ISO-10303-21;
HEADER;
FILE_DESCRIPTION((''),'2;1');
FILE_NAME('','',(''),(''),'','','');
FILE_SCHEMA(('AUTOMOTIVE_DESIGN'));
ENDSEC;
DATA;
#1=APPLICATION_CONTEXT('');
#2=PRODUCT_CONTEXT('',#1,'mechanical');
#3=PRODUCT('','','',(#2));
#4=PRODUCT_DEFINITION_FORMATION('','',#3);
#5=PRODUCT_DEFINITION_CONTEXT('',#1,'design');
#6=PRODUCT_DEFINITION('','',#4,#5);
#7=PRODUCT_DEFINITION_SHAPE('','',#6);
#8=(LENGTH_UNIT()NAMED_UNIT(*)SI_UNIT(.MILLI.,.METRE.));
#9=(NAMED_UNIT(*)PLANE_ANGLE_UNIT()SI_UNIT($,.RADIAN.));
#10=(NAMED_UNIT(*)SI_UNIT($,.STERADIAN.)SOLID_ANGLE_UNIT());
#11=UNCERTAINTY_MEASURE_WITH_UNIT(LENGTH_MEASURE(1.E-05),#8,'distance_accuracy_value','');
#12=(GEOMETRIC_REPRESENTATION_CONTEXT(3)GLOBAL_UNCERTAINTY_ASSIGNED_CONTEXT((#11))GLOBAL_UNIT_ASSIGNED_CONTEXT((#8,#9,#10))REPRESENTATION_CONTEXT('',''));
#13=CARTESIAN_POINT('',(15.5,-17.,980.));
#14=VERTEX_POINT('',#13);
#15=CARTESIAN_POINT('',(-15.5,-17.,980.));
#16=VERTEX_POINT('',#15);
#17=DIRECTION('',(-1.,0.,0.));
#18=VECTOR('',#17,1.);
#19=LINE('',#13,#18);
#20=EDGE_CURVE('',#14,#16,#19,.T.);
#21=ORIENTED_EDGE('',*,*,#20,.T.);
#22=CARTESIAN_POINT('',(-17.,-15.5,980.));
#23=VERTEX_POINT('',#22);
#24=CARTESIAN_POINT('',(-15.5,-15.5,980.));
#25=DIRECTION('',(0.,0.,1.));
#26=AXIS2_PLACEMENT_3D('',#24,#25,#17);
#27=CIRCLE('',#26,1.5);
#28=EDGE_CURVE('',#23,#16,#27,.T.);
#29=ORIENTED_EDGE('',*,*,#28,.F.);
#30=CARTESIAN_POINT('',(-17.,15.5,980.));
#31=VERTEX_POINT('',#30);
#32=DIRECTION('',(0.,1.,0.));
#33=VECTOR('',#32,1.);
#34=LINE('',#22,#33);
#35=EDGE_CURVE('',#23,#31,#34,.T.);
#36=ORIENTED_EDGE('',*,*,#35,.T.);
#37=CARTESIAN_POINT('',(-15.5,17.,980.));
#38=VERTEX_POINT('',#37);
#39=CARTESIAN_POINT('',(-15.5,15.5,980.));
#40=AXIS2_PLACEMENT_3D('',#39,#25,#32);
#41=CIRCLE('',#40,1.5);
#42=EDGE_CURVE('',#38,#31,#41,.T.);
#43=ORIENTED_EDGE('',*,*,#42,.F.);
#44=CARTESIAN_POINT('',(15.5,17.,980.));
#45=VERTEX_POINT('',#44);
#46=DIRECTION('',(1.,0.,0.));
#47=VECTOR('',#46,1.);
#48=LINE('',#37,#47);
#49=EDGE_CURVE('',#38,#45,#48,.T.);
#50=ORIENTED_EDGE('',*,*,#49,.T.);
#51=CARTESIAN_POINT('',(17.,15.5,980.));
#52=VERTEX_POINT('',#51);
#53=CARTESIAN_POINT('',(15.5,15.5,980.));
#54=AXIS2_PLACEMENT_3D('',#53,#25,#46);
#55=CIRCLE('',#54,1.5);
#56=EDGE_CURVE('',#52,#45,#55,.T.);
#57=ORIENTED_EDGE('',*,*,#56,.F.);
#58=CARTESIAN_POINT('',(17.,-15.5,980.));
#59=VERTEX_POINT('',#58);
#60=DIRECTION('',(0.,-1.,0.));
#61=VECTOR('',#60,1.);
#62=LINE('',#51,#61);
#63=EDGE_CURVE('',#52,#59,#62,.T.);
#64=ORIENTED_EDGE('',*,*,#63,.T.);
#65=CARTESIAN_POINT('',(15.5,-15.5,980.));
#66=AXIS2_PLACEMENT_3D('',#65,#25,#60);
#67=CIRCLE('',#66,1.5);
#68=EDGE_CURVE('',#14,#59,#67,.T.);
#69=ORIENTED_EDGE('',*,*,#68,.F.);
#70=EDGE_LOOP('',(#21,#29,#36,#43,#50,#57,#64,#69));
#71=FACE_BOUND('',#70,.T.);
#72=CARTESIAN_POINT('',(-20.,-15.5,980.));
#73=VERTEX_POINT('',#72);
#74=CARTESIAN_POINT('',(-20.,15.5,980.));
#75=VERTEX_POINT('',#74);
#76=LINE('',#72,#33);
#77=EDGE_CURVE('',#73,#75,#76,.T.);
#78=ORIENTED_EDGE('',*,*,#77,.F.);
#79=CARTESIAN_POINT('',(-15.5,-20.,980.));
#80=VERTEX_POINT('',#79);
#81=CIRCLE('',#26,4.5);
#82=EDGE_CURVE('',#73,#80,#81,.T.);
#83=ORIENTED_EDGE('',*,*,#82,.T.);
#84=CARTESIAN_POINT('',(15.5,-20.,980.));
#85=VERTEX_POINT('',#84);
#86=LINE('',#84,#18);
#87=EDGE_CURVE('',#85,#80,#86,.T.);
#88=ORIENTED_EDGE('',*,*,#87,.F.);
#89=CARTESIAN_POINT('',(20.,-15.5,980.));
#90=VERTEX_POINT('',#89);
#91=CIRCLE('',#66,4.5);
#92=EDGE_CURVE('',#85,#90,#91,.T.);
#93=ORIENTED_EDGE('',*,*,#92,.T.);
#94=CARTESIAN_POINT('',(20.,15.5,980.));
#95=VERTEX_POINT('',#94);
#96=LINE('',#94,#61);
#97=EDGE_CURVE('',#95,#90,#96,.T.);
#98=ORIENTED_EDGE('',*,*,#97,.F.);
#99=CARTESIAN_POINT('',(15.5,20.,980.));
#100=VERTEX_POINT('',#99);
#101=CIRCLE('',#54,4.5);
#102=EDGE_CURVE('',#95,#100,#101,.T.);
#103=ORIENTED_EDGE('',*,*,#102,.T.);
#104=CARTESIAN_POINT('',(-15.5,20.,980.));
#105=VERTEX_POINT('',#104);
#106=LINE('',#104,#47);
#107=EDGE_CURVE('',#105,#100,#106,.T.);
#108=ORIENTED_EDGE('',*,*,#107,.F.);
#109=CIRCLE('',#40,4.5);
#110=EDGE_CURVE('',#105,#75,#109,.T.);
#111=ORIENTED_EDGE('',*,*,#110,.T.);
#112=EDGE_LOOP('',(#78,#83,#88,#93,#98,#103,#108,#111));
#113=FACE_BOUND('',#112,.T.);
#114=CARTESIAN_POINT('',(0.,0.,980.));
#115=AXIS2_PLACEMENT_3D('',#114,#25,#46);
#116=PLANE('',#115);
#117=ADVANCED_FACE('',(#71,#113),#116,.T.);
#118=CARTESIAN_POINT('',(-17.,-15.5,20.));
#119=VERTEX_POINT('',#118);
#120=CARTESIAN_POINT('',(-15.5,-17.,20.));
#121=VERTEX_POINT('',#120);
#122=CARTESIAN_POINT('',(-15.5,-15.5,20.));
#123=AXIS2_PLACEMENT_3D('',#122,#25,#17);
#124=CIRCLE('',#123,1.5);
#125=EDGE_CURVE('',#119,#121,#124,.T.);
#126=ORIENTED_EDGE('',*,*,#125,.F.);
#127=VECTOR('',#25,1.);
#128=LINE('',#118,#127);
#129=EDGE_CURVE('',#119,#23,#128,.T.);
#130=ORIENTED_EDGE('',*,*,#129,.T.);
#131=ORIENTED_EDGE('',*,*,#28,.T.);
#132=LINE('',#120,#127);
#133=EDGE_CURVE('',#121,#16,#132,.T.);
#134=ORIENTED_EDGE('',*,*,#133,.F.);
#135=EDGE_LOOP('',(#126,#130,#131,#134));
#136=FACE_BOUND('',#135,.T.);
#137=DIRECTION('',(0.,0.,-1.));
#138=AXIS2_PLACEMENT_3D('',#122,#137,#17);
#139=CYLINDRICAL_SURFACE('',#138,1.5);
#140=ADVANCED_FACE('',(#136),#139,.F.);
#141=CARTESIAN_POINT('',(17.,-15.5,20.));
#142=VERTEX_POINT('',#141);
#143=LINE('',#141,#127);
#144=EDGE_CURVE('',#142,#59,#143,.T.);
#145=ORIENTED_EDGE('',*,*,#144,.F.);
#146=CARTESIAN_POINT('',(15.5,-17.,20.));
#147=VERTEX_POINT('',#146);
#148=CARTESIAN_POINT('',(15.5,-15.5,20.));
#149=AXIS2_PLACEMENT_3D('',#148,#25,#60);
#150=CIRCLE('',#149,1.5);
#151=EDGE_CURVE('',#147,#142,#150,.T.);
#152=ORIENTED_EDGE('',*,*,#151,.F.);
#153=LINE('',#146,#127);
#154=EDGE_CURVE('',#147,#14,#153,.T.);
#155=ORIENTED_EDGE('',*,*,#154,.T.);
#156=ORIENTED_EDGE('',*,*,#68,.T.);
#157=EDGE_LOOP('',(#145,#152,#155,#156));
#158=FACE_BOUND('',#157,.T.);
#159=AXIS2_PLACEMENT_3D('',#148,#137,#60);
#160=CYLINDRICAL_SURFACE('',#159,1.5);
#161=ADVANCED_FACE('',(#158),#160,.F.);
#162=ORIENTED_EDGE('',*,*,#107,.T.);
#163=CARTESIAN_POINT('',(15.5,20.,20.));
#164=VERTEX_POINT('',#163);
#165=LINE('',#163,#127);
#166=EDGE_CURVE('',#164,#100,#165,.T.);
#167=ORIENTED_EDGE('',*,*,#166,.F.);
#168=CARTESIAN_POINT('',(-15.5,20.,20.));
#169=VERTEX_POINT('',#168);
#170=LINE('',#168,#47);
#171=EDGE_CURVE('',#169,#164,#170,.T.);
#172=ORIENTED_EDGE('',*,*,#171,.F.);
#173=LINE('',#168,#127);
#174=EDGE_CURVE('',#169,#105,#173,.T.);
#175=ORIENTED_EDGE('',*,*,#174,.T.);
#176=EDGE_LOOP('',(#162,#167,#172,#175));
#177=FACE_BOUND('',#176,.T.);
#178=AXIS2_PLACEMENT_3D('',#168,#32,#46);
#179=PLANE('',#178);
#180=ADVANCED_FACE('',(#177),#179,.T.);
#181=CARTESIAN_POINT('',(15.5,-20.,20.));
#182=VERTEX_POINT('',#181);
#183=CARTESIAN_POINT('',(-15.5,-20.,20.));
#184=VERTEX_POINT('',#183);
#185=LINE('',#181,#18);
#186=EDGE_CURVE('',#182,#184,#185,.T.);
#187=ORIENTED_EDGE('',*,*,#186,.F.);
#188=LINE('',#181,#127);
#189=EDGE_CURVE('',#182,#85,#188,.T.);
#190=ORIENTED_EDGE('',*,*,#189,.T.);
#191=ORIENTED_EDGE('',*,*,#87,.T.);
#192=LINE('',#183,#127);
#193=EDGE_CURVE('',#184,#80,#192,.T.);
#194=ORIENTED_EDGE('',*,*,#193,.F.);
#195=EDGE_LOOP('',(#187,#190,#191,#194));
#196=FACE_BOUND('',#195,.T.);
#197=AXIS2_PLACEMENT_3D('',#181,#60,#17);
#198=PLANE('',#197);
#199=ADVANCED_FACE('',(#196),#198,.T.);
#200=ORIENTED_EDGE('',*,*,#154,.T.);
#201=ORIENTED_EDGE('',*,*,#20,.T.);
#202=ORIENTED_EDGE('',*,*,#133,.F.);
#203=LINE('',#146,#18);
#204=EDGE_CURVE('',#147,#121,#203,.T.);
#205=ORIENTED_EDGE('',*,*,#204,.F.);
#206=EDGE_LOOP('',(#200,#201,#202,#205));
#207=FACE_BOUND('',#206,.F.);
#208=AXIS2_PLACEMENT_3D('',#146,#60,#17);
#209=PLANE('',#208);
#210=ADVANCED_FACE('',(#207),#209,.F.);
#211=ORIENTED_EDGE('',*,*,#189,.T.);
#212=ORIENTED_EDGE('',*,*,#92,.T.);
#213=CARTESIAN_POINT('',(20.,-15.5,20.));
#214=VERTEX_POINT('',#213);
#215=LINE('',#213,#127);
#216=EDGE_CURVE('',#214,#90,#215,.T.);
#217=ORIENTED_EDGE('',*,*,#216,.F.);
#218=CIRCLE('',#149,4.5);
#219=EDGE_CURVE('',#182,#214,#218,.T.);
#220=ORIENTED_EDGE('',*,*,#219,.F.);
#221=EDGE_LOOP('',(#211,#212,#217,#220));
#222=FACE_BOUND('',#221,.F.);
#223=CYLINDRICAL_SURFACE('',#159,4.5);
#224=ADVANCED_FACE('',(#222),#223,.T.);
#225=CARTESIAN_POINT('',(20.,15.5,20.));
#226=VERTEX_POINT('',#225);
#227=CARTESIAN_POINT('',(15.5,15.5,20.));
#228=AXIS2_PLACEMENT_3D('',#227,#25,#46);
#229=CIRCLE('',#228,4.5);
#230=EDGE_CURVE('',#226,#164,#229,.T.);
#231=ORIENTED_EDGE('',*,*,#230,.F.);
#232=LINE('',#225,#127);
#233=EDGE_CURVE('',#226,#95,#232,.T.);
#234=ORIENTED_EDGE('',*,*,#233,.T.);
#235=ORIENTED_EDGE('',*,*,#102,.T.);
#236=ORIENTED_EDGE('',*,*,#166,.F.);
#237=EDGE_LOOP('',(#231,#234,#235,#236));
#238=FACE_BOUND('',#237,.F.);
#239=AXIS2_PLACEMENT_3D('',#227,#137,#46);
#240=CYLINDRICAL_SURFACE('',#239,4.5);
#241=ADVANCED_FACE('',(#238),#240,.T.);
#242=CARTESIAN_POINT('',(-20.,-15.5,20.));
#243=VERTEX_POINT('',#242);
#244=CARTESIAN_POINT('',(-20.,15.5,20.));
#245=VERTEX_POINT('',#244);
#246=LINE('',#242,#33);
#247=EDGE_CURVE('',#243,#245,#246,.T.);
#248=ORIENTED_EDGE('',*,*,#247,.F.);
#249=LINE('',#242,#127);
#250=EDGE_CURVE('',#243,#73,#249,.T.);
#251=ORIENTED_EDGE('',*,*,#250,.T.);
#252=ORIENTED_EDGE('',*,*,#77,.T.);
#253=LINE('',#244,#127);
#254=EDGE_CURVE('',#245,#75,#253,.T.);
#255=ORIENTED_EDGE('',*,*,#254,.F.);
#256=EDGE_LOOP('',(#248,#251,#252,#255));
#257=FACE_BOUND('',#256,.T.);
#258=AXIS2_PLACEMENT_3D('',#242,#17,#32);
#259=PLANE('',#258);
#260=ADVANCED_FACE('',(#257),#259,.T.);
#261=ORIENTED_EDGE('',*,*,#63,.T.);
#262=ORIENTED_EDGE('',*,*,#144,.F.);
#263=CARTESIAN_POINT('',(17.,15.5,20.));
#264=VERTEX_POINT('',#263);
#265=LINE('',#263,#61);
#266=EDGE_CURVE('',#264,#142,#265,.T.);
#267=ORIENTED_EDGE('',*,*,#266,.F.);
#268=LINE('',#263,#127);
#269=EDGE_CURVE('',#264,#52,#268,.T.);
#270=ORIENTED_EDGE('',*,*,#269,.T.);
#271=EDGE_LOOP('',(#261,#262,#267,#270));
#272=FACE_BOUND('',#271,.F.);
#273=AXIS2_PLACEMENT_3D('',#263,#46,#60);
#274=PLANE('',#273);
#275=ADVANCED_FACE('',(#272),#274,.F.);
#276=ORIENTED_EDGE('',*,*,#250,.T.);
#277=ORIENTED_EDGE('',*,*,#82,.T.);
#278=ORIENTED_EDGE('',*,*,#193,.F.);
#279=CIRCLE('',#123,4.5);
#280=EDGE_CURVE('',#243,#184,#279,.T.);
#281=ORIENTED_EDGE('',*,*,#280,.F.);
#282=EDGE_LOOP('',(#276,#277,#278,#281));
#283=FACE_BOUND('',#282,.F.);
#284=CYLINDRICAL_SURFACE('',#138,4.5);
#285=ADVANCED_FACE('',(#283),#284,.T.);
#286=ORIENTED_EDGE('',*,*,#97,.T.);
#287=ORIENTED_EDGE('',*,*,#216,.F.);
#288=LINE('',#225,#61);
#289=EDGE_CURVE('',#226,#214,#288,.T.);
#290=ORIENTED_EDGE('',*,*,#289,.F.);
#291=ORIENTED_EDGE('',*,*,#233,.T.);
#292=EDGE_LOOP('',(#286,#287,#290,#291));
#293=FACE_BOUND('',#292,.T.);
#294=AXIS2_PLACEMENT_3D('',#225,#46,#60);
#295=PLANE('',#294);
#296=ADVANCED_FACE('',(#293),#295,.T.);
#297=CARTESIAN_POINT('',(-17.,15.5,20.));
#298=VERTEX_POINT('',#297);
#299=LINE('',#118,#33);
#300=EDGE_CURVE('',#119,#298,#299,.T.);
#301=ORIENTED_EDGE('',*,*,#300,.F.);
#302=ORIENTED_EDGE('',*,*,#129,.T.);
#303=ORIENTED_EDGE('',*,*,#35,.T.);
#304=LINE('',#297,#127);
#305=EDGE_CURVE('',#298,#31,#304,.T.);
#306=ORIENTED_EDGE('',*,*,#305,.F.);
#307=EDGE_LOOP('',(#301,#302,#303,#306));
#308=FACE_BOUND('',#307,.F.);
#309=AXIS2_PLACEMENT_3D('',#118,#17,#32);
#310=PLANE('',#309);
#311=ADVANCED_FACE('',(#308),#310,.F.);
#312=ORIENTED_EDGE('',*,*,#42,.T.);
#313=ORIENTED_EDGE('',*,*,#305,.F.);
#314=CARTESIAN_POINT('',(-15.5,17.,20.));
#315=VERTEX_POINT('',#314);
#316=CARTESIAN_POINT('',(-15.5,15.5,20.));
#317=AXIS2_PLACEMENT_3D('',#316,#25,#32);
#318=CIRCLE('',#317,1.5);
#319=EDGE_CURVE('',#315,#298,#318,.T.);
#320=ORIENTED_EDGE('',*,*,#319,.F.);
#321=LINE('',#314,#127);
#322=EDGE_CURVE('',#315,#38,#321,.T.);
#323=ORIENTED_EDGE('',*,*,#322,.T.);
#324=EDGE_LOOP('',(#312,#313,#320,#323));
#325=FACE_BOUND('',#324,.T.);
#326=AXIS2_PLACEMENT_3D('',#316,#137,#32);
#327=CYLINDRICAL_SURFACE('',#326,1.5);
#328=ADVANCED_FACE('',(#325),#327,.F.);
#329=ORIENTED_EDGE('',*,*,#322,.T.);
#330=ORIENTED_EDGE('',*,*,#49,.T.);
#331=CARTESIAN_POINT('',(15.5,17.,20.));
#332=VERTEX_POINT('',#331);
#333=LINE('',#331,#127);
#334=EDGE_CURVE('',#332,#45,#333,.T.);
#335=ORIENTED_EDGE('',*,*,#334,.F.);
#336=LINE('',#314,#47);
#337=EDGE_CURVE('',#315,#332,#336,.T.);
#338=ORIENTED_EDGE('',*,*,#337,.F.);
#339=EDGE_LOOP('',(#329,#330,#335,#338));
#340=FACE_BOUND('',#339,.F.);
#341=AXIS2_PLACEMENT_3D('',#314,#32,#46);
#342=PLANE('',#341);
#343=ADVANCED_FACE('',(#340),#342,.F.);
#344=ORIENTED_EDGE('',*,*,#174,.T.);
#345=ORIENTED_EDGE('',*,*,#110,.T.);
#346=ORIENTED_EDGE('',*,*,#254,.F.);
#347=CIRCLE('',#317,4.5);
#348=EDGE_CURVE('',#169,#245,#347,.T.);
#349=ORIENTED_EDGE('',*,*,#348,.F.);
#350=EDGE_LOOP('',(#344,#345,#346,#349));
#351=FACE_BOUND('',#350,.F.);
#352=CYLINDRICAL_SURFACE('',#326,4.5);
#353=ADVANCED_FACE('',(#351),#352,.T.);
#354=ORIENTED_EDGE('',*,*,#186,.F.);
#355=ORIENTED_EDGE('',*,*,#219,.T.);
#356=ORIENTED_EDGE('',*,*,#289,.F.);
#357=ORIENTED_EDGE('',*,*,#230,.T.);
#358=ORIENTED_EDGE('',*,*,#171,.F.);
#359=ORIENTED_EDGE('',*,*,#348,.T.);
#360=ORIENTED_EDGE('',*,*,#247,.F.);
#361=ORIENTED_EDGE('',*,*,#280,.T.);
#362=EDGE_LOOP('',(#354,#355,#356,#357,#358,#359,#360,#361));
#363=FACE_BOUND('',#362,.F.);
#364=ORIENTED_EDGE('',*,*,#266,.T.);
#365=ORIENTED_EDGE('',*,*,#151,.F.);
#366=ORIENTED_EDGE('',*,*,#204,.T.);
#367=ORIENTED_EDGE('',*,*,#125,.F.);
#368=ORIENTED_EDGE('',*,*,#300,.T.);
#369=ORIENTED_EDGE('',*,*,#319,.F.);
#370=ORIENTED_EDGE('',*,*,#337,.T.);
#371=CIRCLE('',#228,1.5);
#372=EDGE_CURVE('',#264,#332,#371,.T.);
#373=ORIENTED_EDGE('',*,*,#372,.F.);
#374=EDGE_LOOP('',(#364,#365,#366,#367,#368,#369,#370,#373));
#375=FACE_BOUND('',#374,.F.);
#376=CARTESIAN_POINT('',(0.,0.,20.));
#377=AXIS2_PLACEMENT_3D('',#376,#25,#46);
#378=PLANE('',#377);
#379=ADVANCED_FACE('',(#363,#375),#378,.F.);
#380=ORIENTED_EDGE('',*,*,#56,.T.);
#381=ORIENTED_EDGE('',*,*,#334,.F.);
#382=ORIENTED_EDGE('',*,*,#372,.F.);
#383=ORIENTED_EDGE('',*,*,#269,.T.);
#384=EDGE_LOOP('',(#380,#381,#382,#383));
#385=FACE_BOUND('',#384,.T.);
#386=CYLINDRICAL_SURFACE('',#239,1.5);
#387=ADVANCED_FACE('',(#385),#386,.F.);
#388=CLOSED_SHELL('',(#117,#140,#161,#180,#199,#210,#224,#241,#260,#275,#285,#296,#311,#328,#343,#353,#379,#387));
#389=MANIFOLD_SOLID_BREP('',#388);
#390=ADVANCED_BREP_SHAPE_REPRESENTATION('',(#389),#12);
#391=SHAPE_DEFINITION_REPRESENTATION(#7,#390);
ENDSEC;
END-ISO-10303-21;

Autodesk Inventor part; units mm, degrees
ref_plane "Start Plane" through (0, 0, 20) normal (0, 0, 1) x (1, 0, 0)
ref_plane "End Plane" through (0, 0, 980) normal (0, 0, 1) x (1, 0, 0)
sketch "Sketch" plane through (0, 0, 0) normal (0, 0, 1) x (1, 0, 0)
  line L0 (-20, -15.5) -> (-20, 15.5)
  line L1 (-15.5, 20) -> (15.5, 20)
  line L2 (20, 15.5) -> (20, -15.5)
  line L3 (15.5, -20) -> (-15.5, -20)
  arc A0 (-20, -15.5) -> (-15.5, -20) centre (-15.5, -15.5) ccw
  arc A1 (-15.5, 20) -> (-20, 15.5) centre (-15.5, 15.5) ccw
  arc A2 (20, 15.5) -> (15.5, 20) centre (15.5, 15.5) ccw
  arc A3 (15.5, -20) -> (20, -15.5) centre (15.5, -15.5) ccw
  arc A4 (-15.5, 17) -> (-17, 15.5) centre (-15.5, 15.5) ccw
  line L4 (-15.5, 17) -> (15.5, 17)
  arc A5 (17, 15.5) -> (15.5, 17) centre (15.5, 15.5) ccw
  line L5 (17, 15.5) -> (17, -15.5)
  arc A6 (15.5, -17) -> (17, -15.5) centre (15.5, -15.5) ccw
  line L6 (15.5, -17) -> (-15.5, -17)
  arc A7 (-17, -15.5) -> (-15.5, -17) centre (-15.5, -15.5) ccw
  line L7 (-17, -15.5) -> (-17, 15.5)
  line L8 (0, 29.3048) -> (0, -29.3048) construction
  line L9 (-29.3048, 0) -> (29.3048, 0) construction
  dimension "d7" = 4.5
  dimension "d10" = 40
  dimension "d11" = 40
  dimension "d12" = 3
  dimension "d15" = 20
  dimension "d16" = 20
extrude "Body" add sketch "Sketch" along normal up to surface (960 mm away) from surface at 20
sketch "Sketch3" plane through (0, 0, 0) normal (0, 0, 1) x (1, 0, 0)
  line L0 (0, 0) -> (10, 0)
ref_plane "Work Plane3" through (0, 0, 0) normal (0, -1, 0) x (1, 0, 0)
ref_plane "Work Plane4" through (-15.5, 1440, 20) normal (0, 0, -1) x (-1, 0, 0)
split "Split1" plane through (-15.5, 1440, 20) removes the side toward (0, 0, -1)
ref_plane "Work Plane5" through (15.5, 1440, 980) normal (0, 0, 1) x (1, 0, 0)
split "Split2" plane through (15.5, 1440, 980) removes the side toward (0, 0, 1)
sketch "Sketch4" plane through (0, 0, 0) normal (0, -1, 0) x (1, 0, 0)
  line L0 (-2, 20) -> (12, 20) projected
  line L1 (-2, 980) -> (12, 980) projected
  dimension "d18" = 960
equation "\"d7\" = G_IR"
equation "\"d10\" = G_H"
equation "\"d11\" = G_W"
equation "\"d12\" = G_T"
equation "\"d15\" = 0.5 * d10"
equation "\"d16\" = 0.5 * d11"
equation "\"d3\" = G_L"
equation "\"G_W\" = 40"
equation "\"G_H\" = 40"
equation "\"G_T\" = 3"
equation "\"G_IR\" = 4.5"
equation "\"G_L\" = d18"
properties part number "ISO 12633-2 - 40x40x3 - 960" material "Steel, Mild"
